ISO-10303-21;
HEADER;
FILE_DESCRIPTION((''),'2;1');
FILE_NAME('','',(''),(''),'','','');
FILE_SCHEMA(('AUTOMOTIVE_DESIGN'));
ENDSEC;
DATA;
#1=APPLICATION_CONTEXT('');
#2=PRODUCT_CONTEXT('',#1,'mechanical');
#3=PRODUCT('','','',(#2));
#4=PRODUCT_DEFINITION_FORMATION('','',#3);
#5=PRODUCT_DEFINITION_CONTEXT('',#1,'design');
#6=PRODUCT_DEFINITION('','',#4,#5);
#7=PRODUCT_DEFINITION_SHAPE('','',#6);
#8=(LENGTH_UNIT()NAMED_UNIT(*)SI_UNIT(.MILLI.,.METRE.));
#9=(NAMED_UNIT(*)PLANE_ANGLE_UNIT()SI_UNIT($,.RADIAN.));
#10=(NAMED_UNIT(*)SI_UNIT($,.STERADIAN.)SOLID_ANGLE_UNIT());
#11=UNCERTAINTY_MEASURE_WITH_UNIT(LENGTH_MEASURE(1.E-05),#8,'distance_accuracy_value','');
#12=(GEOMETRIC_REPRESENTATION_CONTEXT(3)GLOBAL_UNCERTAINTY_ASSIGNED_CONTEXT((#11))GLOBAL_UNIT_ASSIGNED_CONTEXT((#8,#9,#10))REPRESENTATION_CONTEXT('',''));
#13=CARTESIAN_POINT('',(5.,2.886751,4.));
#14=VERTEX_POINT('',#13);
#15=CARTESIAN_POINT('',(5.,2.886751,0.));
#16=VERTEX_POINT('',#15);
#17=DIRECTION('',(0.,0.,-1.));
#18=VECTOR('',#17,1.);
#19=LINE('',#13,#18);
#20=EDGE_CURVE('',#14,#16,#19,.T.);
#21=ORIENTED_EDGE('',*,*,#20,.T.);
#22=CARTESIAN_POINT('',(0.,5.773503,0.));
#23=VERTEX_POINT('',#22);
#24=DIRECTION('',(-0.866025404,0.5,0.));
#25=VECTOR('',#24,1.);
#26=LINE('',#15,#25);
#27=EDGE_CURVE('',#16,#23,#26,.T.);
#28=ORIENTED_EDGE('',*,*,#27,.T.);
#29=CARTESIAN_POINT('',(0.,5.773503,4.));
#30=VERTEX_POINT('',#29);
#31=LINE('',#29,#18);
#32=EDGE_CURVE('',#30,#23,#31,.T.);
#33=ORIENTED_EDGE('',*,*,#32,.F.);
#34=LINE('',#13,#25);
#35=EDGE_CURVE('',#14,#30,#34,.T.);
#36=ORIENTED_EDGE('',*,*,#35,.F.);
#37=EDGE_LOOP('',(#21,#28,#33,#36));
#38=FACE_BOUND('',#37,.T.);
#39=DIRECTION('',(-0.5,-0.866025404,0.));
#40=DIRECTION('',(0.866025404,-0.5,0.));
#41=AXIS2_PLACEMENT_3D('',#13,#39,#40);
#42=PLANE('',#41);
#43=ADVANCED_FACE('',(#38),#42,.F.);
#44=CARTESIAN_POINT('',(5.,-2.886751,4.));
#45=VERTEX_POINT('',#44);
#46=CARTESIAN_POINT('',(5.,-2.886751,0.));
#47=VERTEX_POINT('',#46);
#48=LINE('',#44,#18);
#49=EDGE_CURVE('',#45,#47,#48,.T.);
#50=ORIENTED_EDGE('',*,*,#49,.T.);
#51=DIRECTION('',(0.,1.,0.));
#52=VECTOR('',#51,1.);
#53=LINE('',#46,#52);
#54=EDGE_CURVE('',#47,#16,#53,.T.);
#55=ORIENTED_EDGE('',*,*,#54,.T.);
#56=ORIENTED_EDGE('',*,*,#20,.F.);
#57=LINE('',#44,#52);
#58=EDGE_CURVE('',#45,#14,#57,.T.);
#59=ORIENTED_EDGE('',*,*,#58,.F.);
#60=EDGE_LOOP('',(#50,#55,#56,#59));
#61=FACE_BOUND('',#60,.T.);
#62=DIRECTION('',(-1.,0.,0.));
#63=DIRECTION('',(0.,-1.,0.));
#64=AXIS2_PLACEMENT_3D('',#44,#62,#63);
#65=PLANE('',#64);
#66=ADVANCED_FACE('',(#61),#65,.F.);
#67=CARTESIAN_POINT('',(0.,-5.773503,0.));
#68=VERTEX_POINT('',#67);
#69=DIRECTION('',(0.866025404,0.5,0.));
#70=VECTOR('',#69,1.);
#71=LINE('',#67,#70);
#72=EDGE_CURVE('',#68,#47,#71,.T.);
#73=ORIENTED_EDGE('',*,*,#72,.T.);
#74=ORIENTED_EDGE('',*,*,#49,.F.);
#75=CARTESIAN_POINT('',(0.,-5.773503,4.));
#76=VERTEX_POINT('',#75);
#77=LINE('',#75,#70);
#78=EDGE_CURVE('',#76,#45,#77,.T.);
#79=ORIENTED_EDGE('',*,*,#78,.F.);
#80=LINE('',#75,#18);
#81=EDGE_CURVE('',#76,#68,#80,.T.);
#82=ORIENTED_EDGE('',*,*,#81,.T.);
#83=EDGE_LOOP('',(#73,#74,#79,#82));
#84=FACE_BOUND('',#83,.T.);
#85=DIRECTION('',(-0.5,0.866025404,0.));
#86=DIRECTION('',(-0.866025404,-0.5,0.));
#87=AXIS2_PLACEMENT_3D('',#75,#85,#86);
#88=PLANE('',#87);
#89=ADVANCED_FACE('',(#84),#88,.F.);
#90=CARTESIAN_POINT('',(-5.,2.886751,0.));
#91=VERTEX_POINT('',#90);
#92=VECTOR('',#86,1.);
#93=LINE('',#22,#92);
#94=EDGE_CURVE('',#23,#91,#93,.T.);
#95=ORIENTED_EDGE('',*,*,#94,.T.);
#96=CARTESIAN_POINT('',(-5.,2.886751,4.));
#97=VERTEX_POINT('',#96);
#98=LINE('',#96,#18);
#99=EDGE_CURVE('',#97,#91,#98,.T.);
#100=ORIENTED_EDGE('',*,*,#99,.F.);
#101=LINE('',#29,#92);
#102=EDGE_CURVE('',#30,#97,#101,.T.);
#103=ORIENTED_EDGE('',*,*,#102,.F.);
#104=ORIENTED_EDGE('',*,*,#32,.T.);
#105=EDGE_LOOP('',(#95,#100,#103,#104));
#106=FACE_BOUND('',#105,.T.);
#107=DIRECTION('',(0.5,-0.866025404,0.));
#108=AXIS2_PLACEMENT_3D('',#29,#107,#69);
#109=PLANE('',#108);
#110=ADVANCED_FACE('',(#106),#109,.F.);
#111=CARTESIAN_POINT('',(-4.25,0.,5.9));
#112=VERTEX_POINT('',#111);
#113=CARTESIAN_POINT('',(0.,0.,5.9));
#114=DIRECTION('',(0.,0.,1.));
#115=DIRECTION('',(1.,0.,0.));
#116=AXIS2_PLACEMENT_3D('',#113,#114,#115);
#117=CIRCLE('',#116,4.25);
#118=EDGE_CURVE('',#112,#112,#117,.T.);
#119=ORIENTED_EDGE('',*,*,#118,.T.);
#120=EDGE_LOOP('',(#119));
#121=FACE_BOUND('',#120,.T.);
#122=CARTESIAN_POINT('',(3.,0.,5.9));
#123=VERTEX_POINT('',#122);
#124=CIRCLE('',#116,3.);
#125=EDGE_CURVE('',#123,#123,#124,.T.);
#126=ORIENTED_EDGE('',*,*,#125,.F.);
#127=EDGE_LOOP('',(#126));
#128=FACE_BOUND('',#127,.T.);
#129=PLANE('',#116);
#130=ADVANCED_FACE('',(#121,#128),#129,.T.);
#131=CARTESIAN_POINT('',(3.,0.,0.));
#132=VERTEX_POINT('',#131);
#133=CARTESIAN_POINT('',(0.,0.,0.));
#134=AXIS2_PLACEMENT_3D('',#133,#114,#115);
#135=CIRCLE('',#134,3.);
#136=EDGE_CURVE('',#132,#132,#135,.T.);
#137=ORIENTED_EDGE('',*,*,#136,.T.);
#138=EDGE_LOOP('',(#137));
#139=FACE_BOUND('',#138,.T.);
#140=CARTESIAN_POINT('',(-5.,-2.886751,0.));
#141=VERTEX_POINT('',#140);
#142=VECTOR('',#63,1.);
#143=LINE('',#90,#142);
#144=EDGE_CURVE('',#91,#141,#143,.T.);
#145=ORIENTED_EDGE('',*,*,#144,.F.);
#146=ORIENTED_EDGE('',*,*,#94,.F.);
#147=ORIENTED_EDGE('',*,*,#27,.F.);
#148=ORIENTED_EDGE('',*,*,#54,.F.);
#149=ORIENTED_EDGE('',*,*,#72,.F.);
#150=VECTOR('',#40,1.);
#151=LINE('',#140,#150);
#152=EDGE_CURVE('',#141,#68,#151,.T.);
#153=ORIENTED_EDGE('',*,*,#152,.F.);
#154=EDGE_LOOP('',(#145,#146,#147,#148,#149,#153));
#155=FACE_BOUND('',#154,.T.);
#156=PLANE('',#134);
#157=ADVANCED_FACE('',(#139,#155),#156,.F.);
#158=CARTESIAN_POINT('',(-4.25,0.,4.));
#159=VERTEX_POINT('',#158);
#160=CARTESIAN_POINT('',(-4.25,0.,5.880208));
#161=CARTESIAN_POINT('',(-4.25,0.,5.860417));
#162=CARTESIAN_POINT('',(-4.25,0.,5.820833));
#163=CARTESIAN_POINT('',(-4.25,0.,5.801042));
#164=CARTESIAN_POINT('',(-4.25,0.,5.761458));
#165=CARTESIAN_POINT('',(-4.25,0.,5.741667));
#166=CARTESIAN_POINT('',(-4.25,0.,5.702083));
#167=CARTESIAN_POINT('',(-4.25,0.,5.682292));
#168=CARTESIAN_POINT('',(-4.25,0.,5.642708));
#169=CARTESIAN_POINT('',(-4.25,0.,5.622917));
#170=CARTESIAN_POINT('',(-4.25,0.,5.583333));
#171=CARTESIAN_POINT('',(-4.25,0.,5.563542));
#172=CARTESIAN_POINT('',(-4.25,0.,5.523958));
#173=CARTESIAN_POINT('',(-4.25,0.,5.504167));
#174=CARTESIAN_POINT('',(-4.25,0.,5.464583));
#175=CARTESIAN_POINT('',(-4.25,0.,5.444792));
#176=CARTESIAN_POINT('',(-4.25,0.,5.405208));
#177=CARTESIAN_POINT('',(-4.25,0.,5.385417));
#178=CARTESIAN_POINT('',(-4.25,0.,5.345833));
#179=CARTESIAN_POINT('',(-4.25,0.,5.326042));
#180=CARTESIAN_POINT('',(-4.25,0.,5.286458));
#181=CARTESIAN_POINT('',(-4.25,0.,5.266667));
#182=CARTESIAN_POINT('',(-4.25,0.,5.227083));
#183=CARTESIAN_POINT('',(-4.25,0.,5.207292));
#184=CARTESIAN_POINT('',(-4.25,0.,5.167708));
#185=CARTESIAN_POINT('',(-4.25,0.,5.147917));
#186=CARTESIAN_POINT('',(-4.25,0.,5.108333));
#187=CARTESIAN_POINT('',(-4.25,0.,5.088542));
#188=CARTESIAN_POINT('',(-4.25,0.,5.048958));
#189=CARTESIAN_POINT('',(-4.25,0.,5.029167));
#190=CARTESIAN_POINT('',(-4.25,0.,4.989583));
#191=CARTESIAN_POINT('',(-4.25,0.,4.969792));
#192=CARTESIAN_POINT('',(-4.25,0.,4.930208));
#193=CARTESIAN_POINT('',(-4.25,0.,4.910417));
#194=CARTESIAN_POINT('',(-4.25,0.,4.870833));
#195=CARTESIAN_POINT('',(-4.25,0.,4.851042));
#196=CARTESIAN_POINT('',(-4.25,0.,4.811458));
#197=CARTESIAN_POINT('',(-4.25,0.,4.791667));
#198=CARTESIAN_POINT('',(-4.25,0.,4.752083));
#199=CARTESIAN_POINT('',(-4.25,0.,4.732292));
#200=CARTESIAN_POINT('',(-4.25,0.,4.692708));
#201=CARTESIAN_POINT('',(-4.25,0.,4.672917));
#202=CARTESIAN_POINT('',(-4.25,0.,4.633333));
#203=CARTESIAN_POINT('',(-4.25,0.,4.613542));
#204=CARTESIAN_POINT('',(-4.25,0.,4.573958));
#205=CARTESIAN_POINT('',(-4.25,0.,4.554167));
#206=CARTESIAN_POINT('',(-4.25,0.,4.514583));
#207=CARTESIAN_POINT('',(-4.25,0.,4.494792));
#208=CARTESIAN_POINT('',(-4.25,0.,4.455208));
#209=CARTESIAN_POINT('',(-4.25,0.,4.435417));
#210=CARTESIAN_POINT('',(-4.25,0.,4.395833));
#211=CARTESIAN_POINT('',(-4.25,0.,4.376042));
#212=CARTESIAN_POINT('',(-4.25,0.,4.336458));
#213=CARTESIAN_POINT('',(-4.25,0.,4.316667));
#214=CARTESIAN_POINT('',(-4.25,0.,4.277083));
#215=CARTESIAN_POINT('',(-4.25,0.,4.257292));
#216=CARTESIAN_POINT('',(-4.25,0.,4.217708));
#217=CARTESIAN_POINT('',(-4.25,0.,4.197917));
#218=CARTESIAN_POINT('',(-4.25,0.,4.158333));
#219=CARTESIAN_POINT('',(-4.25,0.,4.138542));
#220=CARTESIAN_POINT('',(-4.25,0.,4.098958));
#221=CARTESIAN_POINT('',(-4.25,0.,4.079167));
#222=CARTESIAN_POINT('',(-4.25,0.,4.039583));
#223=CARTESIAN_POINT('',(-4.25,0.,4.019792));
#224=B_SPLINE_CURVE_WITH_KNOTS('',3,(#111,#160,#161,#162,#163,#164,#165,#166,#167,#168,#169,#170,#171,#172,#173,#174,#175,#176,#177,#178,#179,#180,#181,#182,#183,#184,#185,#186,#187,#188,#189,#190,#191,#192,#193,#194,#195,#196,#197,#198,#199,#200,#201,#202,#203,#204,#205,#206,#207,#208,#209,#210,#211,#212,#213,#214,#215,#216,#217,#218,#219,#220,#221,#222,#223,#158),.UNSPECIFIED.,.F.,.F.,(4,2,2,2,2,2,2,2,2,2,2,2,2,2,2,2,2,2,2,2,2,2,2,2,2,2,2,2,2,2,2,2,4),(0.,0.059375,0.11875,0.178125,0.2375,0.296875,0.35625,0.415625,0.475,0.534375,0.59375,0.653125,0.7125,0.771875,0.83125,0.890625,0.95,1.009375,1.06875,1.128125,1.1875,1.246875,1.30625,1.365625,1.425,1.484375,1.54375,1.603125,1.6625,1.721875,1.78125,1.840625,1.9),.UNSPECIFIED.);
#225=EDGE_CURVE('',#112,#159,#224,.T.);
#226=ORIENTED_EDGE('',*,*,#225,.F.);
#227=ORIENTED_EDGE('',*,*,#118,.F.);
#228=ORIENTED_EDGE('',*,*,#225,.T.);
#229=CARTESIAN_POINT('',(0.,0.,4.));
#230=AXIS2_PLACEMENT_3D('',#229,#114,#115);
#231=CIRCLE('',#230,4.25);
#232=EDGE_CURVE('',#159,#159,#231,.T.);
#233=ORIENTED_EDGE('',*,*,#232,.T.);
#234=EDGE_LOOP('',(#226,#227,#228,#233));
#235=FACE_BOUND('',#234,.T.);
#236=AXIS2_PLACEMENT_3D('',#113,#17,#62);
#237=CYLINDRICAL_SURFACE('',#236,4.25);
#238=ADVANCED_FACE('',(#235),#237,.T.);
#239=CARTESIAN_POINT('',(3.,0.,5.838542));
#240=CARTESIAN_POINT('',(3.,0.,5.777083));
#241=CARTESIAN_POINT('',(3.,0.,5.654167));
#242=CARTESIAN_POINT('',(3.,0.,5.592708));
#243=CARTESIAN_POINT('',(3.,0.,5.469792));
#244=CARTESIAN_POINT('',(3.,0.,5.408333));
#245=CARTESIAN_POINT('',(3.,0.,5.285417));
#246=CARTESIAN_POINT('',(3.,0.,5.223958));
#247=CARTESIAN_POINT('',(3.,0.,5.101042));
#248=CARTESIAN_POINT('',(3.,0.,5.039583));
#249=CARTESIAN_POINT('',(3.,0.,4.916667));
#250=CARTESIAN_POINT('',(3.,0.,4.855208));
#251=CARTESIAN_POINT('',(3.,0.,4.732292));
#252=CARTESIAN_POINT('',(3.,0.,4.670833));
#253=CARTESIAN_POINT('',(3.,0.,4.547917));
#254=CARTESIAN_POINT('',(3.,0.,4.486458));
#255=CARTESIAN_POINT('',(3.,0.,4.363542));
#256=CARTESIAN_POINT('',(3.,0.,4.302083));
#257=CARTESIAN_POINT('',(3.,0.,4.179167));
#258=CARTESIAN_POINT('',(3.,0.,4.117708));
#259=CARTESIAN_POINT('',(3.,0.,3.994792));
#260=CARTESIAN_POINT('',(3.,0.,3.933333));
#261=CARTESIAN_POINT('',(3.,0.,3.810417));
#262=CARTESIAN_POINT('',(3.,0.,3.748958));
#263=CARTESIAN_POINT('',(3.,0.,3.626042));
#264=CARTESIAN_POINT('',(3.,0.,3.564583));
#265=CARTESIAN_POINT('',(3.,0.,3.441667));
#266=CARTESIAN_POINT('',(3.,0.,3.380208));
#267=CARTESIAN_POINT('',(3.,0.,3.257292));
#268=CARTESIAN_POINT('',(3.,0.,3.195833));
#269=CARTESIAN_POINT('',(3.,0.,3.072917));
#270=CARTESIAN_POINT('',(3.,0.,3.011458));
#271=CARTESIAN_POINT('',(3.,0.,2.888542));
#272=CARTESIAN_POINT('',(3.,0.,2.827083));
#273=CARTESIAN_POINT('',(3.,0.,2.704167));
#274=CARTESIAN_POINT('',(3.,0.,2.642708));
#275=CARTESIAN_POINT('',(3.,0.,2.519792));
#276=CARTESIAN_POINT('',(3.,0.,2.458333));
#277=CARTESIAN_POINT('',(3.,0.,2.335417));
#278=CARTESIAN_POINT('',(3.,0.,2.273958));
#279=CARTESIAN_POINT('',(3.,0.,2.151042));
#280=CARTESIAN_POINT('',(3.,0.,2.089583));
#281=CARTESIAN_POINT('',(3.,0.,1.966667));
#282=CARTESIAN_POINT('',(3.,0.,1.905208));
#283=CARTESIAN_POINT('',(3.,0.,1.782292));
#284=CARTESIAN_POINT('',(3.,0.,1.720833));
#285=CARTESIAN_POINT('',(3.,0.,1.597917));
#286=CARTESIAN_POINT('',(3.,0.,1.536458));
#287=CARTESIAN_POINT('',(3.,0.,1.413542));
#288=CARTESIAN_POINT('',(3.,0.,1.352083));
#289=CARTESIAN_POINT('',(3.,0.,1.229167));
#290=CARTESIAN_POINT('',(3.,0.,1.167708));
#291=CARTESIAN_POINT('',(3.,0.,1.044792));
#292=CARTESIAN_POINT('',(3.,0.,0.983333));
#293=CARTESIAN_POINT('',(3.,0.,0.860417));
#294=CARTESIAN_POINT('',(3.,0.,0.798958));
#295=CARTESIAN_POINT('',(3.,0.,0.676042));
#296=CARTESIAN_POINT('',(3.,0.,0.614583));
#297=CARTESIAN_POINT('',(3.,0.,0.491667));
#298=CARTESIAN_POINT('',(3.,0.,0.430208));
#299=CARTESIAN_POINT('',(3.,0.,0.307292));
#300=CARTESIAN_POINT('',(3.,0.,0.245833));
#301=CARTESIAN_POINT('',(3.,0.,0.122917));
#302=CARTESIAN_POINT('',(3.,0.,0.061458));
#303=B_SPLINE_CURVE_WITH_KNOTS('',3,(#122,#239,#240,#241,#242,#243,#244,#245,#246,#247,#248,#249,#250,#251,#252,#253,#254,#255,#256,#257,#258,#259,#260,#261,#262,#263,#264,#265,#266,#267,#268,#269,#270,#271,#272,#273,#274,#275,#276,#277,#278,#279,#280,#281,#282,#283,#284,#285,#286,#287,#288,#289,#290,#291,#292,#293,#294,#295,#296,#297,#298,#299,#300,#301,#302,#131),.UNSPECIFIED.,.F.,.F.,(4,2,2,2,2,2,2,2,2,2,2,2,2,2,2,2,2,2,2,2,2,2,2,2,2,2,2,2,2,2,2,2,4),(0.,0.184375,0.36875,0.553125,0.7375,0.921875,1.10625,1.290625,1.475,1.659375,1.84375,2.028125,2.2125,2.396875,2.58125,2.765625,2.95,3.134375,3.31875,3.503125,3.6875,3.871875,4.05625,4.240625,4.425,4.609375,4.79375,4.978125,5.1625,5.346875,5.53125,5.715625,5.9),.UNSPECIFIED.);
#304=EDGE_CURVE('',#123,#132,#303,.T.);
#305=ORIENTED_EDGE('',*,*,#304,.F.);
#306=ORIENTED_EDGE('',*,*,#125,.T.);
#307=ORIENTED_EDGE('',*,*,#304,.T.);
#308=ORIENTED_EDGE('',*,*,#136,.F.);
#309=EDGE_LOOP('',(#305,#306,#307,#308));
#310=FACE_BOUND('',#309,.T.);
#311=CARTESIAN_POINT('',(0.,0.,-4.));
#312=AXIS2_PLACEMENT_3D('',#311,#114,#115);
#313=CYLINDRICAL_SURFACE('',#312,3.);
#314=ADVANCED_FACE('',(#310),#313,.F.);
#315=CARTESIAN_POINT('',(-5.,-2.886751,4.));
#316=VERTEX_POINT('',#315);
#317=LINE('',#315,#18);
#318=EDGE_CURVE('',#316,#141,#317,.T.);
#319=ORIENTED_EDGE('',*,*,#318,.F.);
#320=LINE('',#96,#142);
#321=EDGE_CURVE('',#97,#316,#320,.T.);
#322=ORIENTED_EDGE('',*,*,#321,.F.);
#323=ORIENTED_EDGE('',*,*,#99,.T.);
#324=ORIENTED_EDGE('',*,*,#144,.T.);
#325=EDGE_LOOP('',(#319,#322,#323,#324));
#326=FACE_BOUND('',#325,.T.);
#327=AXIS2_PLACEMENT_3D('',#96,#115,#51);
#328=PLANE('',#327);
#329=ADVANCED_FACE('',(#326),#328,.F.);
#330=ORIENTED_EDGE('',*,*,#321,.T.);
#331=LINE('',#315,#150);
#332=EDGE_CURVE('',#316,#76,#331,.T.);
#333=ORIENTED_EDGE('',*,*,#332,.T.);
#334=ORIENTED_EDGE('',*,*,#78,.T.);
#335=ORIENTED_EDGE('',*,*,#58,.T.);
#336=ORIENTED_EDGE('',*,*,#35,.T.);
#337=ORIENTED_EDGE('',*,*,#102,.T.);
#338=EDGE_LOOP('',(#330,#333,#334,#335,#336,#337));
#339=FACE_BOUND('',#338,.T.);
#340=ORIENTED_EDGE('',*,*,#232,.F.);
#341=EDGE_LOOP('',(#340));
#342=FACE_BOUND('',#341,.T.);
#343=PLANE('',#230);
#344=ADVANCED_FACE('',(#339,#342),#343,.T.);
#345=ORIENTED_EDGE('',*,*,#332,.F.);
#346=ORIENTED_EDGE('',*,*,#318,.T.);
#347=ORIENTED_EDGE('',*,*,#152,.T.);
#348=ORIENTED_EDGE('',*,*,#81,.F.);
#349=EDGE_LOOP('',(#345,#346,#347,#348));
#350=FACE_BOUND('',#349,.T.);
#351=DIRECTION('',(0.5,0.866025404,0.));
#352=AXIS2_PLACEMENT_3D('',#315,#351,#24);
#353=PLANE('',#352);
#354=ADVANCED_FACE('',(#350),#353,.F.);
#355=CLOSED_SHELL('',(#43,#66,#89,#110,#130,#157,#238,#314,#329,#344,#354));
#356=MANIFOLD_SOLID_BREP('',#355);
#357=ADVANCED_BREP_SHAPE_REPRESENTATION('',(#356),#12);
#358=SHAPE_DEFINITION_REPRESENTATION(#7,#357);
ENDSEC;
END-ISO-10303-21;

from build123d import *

# Parameters (mm, degrees)
EXTRUDE_1_DEPTH     = 4
SKETCH_2_R          = 4.25
EXTRUDE_2_DEPTH     = 1.9
SKETCH_3_R          = 3
CUT_EXTRUDE_1_DEPTH = 9.9


with BuildPart() as part:
    # 草图1 → 凸台-拉伸1 (new body)
    with BuildSketch(Plane.XY):
        Polygon((0, 5.773502692), (-5, 2.886751346), (-5, -2.886751346), (0, -5.773502692), (5, -2.886751346), (5, 2.886751346), align=None)
    extrude(amount=EXTRUDE_1_DEPTH)

    # 草图2 → 凸台-拉伸2 (add)
    with BuildSketch(Plane.XY.offset(4)):
        with Locations(Location((0, 0, 0), (0, 0, 180))):
            Circle(SKETCH_2_R)
    extrude(amount=EXTRUDE_2_DEPTH)

    # 草图3 → 切除-拉伸1 (cut)
    with BuildSketch(Plane.XY.offset(5.9)):
        Circle(SKETCH_3_R)
    extrude(amount=-CUT_EXTRUDE_1_DEPTH, mode=Mode.SUBTRACT)


solid = part.part
